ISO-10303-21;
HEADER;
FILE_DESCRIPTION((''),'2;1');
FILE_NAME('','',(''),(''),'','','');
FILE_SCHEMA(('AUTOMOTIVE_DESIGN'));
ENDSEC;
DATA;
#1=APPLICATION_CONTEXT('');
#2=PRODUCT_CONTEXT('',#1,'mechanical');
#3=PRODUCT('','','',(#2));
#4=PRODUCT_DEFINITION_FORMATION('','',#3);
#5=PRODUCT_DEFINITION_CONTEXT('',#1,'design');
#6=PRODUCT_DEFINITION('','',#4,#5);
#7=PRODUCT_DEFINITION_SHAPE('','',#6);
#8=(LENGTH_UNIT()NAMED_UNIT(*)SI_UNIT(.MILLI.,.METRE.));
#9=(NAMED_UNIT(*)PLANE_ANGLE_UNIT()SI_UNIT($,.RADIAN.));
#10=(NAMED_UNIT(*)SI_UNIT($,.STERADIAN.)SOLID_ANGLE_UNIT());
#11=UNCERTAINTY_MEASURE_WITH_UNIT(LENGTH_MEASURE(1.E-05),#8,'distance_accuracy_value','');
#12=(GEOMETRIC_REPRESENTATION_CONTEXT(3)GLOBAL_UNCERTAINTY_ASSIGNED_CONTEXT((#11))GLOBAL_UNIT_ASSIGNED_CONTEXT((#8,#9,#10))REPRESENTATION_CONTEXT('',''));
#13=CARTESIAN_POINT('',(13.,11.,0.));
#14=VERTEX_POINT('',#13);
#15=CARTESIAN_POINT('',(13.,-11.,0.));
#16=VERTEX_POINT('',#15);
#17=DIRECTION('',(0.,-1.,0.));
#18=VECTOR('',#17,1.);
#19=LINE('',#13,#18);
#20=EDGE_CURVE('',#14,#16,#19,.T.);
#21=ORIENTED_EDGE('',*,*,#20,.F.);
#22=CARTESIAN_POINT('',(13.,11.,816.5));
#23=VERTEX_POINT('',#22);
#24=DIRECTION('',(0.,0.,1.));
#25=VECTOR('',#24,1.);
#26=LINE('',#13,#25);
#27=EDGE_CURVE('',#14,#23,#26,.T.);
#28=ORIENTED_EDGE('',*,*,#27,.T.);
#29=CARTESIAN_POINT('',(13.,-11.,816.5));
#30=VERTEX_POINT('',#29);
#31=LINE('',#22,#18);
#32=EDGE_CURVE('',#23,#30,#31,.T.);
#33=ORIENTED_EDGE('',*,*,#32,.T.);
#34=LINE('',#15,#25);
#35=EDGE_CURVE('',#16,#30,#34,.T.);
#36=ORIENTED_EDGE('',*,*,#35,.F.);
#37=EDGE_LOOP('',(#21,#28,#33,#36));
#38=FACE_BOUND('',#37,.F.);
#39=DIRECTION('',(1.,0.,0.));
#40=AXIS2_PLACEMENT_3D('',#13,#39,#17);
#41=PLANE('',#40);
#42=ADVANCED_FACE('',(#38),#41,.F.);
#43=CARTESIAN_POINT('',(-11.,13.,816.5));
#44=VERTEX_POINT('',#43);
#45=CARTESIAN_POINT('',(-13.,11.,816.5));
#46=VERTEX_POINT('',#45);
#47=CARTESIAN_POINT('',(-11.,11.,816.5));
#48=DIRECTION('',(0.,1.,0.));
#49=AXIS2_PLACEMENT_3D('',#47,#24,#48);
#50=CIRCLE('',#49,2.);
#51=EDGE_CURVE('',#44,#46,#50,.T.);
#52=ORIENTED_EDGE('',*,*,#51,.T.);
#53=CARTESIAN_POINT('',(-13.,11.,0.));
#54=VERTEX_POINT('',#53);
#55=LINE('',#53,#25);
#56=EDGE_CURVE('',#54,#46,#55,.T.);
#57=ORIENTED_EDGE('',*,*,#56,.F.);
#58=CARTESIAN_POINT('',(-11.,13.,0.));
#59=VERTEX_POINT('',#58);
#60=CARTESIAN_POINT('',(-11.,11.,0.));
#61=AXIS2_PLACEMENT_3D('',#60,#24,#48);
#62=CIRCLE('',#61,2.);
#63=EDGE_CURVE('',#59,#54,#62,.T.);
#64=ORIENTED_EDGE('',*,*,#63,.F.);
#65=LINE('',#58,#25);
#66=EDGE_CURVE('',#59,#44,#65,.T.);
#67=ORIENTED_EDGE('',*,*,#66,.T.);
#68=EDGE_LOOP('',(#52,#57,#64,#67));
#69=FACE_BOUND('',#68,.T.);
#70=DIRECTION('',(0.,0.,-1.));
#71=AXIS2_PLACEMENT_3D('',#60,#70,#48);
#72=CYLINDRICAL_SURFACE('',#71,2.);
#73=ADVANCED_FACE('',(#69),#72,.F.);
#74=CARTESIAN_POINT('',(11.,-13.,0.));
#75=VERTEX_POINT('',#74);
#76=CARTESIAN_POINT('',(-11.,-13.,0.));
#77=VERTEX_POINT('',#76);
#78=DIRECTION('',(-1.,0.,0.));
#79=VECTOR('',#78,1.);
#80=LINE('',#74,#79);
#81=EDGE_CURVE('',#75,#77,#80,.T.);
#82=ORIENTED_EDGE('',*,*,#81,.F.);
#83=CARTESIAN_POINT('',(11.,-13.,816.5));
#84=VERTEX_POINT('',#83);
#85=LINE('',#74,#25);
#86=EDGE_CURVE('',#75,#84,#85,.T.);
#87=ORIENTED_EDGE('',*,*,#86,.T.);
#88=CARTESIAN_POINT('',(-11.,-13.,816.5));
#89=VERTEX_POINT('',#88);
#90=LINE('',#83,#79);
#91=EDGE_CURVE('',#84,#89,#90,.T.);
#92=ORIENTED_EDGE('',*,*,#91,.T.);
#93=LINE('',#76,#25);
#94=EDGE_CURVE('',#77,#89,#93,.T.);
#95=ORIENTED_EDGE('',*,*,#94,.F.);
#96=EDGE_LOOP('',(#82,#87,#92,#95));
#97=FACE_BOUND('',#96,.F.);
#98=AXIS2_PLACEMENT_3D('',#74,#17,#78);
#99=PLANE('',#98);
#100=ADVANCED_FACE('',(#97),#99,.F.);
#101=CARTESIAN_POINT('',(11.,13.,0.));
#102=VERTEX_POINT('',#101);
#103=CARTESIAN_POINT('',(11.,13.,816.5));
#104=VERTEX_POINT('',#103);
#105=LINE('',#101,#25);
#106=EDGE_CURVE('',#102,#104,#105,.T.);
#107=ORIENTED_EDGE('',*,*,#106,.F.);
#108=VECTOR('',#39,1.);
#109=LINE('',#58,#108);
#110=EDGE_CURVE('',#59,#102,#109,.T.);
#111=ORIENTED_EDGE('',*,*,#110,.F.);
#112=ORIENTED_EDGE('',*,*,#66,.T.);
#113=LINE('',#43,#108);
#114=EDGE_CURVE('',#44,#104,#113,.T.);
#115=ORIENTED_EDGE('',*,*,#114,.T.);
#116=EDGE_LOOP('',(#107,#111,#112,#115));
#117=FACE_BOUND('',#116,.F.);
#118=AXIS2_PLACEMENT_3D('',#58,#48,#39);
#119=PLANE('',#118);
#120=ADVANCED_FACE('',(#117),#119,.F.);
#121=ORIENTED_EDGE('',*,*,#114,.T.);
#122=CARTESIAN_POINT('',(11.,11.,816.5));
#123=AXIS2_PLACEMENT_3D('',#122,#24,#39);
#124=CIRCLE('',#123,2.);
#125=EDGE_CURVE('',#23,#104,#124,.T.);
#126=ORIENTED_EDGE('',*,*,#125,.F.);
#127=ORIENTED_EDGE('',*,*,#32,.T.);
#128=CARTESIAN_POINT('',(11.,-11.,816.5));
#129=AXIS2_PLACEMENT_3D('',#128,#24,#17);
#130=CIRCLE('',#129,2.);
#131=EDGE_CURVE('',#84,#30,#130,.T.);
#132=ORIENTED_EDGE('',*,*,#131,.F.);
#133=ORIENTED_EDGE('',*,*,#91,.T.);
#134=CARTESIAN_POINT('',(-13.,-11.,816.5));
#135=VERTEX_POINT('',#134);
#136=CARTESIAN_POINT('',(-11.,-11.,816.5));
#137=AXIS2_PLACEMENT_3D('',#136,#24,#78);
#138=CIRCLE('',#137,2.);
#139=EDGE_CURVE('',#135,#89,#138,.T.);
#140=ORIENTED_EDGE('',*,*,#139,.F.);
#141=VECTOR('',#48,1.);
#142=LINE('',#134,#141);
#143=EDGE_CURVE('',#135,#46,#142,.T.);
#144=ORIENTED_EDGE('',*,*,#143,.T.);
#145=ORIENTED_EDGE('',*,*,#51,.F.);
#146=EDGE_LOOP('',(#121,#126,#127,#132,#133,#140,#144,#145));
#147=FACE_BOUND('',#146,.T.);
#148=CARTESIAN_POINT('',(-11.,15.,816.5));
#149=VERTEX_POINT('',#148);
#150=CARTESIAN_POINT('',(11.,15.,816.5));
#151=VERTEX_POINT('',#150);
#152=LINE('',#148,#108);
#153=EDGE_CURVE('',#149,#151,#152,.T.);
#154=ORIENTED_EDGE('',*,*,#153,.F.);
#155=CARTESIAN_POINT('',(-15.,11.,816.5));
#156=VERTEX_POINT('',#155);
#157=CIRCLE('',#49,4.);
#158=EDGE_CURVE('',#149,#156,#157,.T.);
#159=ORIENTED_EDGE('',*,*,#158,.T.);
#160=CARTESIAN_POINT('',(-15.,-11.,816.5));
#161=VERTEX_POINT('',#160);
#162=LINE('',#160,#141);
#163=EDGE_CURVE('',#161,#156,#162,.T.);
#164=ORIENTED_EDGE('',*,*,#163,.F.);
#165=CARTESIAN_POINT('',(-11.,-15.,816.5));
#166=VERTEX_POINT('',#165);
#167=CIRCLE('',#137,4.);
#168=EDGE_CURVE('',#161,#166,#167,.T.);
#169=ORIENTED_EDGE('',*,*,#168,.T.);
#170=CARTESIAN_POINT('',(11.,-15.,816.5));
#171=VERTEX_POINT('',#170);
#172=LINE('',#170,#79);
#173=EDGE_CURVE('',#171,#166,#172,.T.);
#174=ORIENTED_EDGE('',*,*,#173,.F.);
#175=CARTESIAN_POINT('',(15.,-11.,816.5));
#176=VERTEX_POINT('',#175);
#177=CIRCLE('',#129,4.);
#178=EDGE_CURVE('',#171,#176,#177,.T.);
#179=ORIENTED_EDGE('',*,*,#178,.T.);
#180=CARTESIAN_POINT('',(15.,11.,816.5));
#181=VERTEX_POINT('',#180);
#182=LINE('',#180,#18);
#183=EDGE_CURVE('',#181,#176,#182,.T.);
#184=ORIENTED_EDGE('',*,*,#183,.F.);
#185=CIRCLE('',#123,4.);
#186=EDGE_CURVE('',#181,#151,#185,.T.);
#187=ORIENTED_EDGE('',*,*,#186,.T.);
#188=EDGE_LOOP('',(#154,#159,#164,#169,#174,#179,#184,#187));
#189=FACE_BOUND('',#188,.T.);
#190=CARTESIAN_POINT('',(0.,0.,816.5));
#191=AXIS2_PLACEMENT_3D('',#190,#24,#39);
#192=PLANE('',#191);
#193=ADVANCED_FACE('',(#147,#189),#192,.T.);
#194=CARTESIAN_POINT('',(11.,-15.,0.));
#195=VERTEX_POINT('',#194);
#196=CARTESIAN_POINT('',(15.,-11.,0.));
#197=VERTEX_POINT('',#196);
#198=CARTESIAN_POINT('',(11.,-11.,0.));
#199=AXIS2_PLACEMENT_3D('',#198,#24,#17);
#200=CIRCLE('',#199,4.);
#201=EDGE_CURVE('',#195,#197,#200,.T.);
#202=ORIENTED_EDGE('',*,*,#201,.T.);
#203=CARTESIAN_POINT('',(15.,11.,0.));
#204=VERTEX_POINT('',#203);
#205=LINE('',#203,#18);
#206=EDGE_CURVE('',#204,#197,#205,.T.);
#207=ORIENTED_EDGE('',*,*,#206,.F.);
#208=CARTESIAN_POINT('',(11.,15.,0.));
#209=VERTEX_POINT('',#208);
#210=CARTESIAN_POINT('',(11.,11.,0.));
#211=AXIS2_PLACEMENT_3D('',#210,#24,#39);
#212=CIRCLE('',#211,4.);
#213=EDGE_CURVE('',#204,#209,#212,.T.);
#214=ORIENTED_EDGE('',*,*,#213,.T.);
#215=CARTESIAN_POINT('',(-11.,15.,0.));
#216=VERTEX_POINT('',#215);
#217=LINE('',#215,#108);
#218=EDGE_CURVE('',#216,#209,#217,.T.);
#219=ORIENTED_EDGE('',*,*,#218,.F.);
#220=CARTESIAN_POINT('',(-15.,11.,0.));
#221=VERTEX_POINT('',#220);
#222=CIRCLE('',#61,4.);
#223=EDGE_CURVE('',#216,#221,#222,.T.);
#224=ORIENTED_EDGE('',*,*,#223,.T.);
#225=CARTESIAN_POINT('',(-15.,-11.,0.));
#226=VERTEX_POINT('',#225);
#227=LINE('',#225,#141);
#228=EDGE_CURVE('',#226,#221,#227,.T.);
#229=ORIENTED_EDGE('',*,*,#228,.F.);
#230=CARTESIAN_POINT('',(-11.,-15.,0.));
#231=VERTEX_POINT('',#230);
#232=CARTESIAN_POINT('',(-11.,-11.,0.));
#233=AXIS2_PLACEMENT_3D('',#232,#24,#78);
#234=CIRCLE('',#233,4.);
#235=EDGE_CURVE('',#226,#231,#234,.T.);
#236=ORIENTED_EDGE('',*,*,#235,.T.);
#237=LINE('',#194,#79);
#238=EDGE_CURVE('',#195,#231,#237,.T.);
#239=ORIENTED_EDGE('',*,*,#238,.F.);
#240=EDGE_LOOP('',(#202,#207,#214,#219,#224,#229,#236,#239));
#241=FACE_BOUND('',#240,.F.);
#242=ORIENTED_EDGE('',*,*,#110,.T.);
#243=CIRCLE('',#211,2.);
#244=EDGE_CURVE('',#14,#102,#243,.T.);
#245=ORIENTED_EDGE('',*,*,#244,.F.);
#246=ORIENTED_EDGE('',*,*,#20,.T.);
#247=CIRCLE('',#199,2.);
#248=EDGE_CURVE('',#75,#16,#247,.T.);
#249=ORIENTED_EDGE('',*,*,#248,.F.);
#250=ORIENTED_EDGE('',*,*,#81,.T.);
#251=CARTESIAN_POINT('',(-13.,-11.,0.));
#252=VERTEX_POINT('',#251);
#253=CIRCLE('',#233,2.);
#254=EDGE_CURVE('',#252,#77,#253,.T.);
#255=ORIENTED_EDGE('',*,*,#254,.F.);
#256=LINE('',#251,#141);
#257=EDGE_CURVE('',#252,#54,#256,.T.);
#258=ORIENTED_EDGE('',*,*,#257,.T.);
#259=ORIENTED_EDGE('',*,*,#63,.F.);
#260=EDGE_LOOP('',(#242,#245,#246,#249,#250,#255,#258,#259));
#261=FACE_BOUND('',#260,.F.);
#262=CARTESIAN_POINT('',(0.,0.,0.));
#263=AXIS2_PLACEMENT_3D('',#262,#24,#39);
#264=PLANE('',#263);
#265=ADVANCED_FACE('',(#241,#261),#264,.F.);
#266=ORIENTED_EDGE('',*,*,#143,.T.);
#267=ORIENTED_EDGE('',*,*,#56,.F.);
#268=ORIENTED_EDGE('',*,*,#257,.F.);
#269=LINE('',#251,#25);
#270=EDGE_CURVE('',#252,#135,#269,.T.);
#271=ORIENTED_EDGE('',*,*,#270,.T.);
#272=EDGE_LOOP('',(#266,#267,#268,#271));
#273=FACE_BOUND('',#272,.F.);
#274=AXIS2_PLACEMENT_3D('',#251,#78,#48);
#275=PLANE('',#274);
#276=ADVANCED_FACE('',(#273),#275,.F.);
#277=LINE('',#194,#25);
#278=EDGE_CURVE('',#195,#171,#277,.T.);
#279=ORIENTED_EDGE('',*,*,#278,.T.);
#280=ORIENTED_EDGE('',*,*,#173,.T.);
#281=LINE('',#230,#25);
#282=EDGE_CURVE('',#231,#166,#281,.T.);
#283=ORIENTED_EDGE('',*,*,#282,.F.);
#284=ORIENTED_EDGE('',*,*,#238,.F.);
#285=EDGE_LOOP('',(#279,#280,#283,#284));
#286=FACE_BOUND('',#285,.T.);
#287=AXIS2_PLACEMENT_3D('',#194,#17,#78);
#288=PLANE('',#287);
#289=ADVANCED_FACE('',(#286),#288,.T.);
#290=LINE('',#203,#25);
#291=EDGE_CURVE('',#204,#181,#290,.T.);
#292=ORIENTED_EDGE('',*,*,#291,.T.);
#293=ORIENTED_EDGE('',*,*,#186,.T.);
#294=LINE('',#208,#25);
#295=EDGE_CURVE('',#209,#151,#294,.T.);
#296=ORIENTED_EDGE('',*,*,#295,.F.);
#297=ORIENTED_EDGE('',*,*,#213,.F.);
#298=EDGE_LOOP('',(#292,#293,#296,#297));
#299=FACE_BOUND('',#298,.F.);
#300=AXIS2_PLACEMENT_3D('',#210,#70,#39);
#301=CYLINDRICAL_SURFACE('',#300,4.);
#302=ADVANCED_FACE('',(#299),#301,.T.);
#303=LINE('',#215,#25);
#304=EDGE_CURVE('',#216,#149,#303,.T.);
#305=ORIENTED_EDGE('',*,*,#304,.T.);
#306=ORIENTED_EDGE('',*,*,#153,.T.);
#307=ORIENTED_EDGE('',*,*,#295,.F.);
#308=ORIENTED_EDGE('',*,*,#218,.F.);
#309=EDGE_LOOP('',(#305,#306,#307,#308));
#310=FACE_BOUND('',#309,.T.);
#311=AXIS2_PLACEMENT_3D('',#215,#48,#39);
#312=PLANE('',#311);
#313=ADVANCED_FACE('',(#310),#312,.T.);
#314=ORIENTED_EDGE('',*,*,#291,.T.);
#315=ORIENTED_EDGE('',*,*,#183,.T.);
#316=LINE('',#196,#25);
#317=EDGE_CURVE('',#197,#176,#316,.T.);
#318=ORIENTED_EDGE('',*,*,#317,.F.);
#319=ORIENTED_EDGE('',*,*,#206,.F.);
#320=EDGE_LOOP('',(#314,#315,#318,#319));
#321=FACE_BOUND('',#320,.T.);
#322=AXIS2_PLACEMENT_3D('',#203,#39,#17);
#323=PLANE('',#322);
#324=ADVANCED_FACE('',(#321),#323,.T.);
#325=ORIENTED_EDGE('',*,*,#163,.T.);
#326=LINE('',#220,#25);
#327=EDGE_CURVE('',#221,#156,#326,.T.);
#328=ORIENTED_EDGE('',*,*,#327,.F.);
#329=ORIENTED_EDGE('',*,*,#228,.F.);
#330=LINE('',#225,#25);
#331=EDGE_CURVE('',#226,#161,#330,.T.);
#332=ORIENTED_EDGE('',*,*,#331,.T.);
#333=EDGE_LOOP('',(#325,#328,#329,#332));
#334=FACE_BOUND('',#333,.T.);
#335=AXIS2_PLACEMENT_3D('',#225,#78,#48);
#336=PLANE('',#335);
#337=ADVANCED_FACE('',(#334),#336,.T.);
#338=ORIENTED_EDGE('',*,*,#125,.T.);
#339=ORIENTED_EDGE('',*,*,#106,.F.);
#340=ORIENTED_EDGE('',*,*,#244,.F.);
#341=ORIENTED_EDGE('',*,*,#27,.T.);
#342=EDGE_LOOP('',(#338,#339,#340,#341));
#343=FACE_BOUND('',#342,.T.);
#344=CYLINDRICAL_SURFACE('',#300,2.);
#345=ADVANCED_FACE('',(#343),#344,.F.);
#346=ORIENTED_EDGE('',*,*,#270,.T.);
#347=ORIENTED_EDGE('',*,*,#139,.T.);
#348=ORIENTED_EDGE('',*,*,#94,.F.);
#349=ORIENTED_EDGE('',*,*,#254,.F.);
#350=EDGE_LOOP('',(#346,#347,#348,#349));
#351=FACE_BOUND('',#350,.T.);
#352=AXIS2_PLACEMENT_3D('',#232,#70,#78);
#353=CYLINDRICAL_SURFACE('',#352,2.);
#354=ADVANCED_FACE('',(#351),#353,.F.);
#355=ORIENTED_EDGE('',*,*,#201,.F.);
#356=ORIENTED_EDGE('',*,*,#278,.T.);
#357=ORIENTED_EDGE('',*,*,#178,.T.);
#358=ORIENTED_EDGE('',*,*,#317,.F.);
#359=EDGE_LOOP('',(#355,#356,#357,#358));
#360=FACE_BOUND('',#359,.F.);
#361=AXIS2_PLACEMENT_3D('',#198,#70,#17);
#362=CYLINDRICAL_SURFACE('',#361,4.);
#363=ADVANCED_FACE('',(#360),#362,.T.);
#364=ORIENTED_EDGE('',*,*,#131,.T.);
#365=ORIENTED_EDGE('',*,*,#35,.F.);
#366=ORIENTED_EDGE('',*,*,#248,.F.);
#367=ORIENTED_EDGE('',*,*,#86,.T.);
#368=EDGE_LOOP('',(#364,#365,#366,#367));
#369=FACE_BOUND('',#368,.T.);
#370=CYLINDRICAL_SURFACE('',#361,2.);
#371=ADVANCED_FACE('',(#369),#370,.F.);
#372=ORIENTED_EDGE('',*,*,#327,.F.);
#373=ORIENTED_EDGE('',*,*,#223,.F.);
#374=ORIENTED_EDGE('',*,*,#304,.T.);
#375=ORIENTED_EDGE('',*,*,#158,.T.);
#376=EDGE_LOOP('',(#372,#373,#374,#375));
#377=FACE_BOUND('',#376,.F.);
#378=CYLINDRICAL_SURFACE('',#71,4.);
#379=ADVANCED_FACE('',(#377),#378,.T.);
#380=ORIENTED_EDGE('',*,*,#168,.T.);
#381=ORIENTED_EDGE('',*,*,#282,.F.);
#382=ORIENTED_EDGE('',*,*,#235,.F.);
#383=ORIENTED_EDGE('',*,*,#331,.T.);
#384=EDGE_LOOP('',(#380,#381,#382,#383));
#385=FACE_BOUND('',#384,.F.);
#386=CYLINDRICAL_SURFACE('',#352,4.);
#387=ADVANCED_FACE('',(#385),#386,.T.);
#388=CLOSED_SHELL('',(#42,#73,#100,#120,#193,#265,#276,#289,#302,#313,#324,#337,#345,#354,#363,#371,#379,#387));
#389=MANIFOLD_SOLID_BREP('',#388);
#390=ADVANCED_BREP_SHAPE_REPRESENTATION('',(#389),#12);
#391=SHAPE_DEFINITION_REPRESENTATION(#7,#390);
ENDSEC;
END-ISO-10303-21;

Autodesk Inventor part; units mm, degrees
ref_plane "YZ Plane" through (0, 0, 0) normal (1, 0, 0) x (0, 1, 0)
ref_plane "Plan de départ" through (0, 0, 0) normal (0, 0, 1) x (1, 0, 0)
ref_plane "Plan de fin" through (0, 0, 816.5) normal (0, 0, 1) x (1, 0, 0)
sketch "Esquisse" plane through (0, 0, 0) normal (0, 0, 1) x (1, 0, 0)
  line L0 (-15, -11) -> (-15, 11)
  line L1 (-11, 15) -> (11, 15)
  line L2 (15, 11) -> (15, -11)
  line L3 (11, -15) -> (-11, -15)
  arc A0 (-15, -11) -> (-11, -15) centre (-11, -11) ccw
  arc A1 (15, 11) -> (11, 15) centre (11, 11) ccw
  arc A2 (-11, 15) -> (-15, 11) centre (-11, 11) ccw
  arc A3 (11, -15) -> (15, -11) centre (11, -11) ccw
  arc A4 (-11, 13) -> (-13, 11) centre (-11, 11) ccw
  line L4 (-11, 13) -> (11, 13)
  arc A5 (13, 11) -> (11, 13) centre (11, 11) ccw
  line L5 (13, 11) -> (13, -11)
  arc A6 (11, -13) -> (13, -11) centre (11, -11) ccw
  line L6 (11, -13) -> (-11, -13)
  arc A7 (-13, -11) -> (-11, -13) centre (-11, -11) ccw
  line L7 (-13, -11) -> (-13, 11)
  line L8 (0, 22.1598) -> (0, -22.1598) construction
  line L9 (-22.1598, 0) -> (22.1598, 0) construction
  dimension "d7" = 4
  dimension "d9" = 30
  dimension "d11" = 30
  dimension "d12" = 2
  dimension "d15" = 15
  dimension "d16" = 15
extrude "Corps" add sketch "Esquisse" along normal up to surface (816.5 mm away) from surface at 0
sketch "Sketch3" plane through (0, 0, 0) normal (0, 0, 1) x (1, 0, 0)
  line L0 (0, 0) -> (10, 0)
ref_plane "Work Plane3" through (0, 0, 0) normal (0, -1, 0) x (1, 0, 0)
sketch "Sketch4" plane through (0, 0, 0) normal (0, -1, 0) x (1, 0, 0)
  line L0 (-2, 0) -> (12, 0) projected
  line L1 (-2, 816.5) -> (12, 816.5) projected
  dimension "d18" = 816.5
equation "\"d7\" = G_IR"
equation "\"d9\" = G_W"
equation "\"d11\" = G_H"
equation "\"d12\" = G_T"
equation "\"d15\" = 0.5 * d9"
equation "\"d16\" = 0.5 * d11"
equation "\"d3\" = G_L"
equation "\"G_W\" = 30"
equation "\"G_H\" = 30"
equation "\"G_T\" = 2"
equation "\"G_IR\" = 4"
equation "\"G_L\" = d18"
equation "\"G_OFFSET_START\" = 0"
equation "\"G_OFFSET_END\" = 0"
equation "\"d14\" = G_OFFSET_END + B_L"
equation "\"B_L\" = 816.5"
properties part number "ISO 10799-2 - 30x30x2 - 816,5" material "Acier, doux"
